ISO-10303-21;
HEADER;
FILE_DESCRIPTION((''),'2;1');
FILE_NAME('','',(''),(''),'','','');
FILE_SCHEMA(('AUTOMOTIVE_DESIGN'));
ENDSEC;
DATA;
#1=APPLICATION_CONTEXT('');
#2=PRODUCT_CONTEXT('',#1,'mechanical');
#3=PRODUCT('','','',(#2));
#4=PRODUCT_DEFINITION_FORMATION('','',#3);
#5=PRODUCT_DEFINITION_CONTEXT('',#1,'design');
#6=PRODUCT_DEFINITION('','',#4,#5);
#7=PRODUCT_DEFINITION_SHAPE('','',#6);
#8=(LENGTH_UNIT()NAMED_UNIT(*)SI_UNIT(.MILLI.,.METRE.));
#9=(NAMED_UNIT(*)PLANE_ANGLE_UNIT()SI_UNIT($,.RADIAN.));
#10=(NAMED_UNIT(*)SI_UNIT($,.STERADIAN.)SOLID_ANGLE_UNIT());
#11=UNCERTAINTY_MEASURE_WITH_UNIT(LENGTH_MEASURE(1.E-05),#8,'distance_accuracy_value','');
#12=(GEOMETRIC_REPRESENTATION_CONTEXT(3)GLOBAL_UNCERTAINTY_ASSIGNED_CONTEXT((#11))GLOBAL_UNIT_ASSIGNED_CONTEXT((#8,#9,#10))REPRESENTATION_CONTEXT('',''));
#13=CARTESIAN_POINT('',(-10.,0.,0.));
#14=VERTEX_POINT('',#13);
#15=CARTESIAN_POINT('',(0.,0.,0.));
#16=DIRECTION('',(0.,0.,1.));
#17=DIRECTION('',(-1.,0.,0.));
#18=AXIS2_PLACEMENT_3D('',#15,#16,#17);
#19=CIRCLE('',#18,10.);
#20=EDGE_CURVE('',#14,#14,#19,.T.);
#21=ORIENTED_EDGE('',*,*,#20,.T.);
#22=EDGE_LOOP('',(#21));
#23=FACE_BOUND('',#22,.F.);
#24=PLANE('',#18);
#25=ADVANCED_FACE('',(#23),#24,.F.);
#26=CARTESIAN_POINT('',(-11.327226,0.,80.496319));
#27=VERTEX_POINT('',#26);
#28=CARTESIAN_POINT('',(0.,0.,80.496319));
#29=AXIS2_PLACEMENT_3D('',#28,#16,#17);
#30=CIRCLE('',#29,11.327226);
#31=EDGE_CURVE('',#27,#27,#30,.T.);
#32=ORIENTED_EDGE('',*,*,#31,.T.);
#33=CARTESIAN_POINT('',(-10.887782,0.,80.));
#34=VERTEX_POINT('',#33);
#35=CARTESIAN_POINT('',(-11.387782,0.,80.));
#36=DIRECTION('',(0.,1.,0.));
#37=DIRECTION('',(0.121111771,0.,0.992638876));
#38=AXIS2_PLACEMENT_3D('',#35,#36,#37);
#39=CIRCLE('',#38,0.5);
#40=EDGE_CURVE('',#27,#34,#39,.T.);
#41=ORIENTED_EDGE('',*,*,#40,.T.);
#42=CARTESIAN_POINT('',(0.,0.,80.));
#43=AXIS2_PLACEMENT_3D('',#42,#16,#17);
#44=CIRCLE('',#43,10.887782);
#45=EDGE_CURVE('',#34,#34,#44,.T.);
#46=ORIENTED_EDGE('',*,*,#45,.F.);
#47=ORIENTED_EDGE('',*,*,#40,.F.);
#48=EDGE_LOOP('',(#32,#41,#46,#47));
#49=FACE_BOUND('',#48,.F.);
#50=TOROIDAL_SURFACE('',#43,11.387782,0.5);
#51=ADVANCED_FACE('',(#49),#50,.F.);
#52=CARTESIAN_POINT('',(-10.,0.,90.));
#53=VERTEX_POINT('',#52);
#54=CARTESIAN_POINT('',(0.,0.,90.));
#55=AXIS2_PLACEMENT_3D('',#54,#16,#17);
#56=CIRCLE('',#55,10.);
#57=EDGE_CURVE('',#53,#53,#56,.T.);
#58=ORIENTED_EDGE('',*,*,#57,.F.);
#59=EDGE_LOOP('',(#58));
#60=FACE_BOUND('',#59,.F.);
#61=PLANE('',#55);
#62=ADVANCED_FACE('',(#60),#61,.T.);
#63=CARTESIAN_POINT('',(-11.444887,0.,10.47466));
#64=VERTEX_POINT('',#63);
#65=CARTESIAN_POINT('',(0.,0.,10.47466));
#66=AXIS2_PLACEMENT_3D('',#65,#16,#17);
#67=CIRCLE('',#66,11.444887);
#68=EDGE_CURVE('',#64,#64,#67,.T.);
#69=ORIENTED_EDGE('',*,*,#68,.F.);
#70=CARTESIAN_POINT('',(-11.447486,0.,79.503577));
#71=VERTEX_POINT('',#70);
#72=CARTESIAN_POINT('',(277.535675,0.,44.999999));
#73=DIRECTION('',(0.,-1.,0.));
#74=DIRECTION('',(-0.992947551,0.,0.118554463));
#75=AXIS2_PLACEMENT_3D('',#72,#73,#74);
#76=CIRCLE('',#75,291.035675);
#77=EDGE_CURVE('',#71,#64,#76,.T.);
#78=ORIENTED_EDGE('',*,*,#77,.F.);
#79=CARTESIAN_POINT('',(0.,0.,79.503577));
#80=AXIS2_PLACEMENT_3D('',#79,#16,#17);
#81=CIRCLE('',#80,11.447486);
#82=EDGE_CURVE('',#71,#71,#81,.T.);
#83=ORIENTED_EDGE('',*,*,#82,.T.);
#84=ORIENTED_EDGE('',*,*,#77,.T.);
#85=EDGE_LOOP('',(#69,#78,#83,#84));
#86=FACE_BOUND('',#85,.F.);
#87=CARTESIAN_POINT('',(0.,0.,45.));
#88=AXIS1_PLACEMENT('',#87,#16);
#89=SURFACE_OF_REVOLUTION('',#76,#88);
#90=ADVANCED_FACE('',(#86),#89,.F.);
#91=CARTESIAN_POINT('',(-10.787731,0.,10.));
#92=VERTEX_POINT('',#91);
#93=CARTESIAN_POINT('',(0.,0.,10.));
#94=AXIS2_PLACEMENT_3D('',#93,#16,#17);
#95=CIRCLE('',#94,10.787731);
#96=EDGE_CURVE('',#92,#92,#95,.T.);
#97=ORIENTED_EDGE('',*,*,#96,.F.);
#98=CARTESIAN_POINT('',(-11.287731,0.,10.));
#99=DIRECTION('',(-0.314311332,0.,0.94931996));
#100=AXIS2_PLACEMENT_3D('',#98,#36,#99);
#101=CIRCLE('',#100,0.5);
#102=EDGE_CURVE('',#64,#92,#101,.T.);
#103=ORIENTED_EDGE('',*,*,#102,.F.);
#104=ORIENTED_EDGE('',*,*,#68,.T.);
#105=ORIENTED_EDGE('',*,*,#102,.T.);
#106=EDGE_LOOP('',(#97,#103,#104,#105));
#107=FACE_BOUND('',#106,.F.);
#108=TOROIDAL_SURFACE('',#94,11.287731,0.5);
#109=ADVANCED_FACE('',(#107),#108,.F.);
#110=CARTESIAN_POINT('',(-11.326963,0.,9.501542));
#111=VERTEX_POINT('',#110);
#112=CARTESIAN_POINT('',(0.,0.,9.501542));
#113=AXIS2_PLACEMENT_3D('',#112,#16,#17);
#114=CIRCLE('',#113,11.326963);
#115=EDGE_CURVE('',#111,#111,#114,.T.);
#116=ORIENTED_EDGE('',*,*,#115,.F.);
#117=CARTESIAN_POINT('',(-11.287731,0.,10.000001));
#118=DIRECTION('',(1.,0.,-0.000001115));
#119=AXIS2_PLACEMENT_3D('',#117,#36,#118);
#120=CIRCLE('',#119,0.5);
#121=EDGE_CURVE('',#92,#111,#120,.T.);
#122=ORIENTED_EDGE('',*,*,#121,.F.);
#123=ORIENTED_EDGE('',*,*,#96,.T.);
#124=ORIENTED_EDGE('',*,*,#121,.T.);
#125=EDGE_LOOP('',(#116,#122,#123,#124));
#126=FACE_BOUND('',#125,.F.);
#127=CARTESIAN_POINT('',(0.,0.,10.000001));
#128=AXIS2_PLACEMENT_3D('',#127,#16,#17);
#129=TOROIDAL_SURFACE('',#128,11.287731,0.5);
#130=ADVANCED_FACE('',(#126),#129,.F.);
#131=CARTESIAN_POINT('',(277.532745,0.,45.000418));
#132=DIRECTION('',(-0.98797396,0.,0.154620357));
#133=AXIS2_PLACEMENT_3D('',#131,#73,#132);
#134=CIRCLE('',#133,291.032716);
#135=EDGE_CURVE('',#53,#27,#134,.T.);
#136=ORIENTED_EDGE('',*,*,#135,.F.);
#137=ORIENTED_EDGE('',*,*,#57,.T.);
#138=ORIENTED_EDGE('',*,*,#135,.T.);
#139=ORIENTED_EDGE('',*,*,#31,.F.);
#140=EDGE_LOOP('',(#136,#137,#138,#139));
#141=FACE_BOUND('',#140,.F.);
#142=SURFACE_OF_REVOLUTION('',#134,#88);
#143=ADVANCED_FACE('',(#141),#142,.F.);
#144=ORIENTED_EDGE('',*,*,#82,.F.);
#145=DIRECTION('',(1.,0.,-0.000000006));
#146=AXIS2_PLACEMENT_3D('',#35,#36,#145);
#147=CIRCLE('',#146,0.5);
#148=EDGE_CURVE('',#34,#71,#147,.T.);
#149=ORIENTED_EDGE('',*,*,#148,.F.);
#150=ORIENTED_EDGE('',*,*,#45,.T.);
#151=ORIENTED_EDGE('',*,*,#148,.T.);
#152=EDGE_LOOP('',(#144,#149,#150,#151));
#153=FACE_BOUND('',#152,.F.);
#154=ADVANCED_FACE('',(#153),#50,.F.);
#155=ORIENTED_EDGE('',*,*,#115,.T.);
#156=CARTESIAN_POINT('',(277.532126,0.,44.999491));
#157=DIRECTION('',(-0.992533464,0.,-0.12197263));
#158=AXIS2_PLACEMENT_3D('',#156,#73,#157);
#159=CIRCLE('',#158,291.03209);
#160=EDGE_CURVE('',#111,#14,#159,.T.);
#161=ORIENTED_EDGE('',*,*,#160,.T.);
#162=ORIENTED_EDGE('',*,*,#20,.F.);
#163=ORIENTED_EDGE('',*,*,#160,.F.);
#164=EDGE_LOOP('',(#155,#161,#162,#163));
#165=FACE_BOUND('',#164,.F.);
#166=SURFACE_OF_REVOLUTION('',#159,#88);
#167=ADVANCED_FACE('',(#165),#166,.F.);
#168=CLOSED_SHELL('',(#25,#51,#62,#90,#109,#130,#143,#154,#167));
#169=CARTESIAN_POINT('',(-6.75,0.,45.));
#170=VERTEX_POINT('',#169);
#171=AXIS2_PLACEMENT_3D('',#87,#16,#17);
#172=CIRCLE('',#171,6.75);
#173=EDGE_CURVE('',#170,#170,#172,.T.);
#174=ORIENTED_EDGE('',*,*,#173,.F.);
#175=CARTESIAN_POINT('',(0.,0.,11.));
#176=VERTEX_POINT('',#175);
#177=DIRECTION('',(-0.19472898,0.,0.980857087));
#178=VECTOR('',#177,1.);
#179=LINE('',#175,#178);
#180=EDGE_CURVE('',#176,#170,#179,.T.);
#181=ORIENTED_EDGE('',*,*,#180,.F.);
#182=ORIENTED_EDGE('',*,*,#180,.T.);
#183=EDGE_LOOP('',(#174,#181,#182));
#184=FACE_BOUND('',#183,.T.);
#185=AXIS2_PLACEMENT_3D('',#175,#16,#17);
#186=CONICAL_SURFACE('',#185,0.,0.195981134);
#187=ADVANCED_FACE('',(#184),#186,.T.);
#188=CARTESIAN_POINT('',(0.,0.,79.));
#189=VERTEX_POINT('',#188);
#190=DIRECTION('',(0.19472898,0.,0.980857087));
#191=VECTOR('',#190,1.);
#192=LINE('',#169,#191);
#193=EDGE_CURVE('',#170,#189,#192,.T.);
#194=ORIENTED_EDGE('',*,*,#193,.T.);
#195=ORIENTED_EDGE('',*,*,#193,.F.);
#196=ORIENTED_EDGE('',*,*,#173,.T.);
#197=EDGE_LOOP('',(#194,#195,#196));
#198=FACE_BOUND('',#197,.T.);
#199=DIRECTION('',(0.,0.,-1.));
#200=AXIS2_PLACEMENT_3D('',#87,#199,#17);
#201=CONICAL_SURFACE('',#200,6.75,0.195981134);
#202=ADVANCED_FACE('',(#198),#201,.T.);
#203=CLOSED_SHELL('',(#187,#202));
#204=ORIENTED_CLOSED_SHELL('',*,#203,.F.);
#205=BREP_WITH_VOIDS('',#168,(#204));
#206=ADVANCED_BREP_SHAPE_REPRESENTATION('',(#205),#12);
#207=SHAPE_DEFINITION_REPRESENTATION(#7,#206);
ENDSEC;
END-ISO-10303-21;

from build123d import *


with BuildPart() as f1:
    # F0 (on Front) → F1 (revolve)
    with BuildSketch(Plane.XZ):
        with BuildLine():
            Line((-10, 0), (0, 0))
            Line((0, 0), (0, 11))
            Line((0, 11), (-6.75, 45))
            Line((-6.75, 45), (0, 79))
            Line((0, 79), (0, 90))
            Line((0, 90), (-10, 90))
            ThreePointArc((-10, 90), (-10.702785, 85.25363), (-11.327226, 80.496319))
            ThreePointArc((-11.327226, 80.496319), (-11.013431, 80.331453), (-10.887782, 80))
            ThreePointArc((-10.887782, 80), (-11.056008, 79.625933), (-11.447486, 79.503577))
            ThreePointArc((-11.447486, 79.503577), (-13.5, 44.989041), (-11.444887, 10.47466))
            ThreePointArc((-11.444887, 10.47466), (-10.994967, 10.405326), (-10.787731, 10))
            ThreePointArc((-10.787731, 10), (-10.948332, 9.632838), (-11.326963, 9.501542))
            ThreePointArc((-11.326963, 9.501542), (-10.702636, 4.745303), (-10, 0))
        make_face()
    revolve(axis=Axis((0, 0, 45), (0, 0, 1)))


solid = f1.part
